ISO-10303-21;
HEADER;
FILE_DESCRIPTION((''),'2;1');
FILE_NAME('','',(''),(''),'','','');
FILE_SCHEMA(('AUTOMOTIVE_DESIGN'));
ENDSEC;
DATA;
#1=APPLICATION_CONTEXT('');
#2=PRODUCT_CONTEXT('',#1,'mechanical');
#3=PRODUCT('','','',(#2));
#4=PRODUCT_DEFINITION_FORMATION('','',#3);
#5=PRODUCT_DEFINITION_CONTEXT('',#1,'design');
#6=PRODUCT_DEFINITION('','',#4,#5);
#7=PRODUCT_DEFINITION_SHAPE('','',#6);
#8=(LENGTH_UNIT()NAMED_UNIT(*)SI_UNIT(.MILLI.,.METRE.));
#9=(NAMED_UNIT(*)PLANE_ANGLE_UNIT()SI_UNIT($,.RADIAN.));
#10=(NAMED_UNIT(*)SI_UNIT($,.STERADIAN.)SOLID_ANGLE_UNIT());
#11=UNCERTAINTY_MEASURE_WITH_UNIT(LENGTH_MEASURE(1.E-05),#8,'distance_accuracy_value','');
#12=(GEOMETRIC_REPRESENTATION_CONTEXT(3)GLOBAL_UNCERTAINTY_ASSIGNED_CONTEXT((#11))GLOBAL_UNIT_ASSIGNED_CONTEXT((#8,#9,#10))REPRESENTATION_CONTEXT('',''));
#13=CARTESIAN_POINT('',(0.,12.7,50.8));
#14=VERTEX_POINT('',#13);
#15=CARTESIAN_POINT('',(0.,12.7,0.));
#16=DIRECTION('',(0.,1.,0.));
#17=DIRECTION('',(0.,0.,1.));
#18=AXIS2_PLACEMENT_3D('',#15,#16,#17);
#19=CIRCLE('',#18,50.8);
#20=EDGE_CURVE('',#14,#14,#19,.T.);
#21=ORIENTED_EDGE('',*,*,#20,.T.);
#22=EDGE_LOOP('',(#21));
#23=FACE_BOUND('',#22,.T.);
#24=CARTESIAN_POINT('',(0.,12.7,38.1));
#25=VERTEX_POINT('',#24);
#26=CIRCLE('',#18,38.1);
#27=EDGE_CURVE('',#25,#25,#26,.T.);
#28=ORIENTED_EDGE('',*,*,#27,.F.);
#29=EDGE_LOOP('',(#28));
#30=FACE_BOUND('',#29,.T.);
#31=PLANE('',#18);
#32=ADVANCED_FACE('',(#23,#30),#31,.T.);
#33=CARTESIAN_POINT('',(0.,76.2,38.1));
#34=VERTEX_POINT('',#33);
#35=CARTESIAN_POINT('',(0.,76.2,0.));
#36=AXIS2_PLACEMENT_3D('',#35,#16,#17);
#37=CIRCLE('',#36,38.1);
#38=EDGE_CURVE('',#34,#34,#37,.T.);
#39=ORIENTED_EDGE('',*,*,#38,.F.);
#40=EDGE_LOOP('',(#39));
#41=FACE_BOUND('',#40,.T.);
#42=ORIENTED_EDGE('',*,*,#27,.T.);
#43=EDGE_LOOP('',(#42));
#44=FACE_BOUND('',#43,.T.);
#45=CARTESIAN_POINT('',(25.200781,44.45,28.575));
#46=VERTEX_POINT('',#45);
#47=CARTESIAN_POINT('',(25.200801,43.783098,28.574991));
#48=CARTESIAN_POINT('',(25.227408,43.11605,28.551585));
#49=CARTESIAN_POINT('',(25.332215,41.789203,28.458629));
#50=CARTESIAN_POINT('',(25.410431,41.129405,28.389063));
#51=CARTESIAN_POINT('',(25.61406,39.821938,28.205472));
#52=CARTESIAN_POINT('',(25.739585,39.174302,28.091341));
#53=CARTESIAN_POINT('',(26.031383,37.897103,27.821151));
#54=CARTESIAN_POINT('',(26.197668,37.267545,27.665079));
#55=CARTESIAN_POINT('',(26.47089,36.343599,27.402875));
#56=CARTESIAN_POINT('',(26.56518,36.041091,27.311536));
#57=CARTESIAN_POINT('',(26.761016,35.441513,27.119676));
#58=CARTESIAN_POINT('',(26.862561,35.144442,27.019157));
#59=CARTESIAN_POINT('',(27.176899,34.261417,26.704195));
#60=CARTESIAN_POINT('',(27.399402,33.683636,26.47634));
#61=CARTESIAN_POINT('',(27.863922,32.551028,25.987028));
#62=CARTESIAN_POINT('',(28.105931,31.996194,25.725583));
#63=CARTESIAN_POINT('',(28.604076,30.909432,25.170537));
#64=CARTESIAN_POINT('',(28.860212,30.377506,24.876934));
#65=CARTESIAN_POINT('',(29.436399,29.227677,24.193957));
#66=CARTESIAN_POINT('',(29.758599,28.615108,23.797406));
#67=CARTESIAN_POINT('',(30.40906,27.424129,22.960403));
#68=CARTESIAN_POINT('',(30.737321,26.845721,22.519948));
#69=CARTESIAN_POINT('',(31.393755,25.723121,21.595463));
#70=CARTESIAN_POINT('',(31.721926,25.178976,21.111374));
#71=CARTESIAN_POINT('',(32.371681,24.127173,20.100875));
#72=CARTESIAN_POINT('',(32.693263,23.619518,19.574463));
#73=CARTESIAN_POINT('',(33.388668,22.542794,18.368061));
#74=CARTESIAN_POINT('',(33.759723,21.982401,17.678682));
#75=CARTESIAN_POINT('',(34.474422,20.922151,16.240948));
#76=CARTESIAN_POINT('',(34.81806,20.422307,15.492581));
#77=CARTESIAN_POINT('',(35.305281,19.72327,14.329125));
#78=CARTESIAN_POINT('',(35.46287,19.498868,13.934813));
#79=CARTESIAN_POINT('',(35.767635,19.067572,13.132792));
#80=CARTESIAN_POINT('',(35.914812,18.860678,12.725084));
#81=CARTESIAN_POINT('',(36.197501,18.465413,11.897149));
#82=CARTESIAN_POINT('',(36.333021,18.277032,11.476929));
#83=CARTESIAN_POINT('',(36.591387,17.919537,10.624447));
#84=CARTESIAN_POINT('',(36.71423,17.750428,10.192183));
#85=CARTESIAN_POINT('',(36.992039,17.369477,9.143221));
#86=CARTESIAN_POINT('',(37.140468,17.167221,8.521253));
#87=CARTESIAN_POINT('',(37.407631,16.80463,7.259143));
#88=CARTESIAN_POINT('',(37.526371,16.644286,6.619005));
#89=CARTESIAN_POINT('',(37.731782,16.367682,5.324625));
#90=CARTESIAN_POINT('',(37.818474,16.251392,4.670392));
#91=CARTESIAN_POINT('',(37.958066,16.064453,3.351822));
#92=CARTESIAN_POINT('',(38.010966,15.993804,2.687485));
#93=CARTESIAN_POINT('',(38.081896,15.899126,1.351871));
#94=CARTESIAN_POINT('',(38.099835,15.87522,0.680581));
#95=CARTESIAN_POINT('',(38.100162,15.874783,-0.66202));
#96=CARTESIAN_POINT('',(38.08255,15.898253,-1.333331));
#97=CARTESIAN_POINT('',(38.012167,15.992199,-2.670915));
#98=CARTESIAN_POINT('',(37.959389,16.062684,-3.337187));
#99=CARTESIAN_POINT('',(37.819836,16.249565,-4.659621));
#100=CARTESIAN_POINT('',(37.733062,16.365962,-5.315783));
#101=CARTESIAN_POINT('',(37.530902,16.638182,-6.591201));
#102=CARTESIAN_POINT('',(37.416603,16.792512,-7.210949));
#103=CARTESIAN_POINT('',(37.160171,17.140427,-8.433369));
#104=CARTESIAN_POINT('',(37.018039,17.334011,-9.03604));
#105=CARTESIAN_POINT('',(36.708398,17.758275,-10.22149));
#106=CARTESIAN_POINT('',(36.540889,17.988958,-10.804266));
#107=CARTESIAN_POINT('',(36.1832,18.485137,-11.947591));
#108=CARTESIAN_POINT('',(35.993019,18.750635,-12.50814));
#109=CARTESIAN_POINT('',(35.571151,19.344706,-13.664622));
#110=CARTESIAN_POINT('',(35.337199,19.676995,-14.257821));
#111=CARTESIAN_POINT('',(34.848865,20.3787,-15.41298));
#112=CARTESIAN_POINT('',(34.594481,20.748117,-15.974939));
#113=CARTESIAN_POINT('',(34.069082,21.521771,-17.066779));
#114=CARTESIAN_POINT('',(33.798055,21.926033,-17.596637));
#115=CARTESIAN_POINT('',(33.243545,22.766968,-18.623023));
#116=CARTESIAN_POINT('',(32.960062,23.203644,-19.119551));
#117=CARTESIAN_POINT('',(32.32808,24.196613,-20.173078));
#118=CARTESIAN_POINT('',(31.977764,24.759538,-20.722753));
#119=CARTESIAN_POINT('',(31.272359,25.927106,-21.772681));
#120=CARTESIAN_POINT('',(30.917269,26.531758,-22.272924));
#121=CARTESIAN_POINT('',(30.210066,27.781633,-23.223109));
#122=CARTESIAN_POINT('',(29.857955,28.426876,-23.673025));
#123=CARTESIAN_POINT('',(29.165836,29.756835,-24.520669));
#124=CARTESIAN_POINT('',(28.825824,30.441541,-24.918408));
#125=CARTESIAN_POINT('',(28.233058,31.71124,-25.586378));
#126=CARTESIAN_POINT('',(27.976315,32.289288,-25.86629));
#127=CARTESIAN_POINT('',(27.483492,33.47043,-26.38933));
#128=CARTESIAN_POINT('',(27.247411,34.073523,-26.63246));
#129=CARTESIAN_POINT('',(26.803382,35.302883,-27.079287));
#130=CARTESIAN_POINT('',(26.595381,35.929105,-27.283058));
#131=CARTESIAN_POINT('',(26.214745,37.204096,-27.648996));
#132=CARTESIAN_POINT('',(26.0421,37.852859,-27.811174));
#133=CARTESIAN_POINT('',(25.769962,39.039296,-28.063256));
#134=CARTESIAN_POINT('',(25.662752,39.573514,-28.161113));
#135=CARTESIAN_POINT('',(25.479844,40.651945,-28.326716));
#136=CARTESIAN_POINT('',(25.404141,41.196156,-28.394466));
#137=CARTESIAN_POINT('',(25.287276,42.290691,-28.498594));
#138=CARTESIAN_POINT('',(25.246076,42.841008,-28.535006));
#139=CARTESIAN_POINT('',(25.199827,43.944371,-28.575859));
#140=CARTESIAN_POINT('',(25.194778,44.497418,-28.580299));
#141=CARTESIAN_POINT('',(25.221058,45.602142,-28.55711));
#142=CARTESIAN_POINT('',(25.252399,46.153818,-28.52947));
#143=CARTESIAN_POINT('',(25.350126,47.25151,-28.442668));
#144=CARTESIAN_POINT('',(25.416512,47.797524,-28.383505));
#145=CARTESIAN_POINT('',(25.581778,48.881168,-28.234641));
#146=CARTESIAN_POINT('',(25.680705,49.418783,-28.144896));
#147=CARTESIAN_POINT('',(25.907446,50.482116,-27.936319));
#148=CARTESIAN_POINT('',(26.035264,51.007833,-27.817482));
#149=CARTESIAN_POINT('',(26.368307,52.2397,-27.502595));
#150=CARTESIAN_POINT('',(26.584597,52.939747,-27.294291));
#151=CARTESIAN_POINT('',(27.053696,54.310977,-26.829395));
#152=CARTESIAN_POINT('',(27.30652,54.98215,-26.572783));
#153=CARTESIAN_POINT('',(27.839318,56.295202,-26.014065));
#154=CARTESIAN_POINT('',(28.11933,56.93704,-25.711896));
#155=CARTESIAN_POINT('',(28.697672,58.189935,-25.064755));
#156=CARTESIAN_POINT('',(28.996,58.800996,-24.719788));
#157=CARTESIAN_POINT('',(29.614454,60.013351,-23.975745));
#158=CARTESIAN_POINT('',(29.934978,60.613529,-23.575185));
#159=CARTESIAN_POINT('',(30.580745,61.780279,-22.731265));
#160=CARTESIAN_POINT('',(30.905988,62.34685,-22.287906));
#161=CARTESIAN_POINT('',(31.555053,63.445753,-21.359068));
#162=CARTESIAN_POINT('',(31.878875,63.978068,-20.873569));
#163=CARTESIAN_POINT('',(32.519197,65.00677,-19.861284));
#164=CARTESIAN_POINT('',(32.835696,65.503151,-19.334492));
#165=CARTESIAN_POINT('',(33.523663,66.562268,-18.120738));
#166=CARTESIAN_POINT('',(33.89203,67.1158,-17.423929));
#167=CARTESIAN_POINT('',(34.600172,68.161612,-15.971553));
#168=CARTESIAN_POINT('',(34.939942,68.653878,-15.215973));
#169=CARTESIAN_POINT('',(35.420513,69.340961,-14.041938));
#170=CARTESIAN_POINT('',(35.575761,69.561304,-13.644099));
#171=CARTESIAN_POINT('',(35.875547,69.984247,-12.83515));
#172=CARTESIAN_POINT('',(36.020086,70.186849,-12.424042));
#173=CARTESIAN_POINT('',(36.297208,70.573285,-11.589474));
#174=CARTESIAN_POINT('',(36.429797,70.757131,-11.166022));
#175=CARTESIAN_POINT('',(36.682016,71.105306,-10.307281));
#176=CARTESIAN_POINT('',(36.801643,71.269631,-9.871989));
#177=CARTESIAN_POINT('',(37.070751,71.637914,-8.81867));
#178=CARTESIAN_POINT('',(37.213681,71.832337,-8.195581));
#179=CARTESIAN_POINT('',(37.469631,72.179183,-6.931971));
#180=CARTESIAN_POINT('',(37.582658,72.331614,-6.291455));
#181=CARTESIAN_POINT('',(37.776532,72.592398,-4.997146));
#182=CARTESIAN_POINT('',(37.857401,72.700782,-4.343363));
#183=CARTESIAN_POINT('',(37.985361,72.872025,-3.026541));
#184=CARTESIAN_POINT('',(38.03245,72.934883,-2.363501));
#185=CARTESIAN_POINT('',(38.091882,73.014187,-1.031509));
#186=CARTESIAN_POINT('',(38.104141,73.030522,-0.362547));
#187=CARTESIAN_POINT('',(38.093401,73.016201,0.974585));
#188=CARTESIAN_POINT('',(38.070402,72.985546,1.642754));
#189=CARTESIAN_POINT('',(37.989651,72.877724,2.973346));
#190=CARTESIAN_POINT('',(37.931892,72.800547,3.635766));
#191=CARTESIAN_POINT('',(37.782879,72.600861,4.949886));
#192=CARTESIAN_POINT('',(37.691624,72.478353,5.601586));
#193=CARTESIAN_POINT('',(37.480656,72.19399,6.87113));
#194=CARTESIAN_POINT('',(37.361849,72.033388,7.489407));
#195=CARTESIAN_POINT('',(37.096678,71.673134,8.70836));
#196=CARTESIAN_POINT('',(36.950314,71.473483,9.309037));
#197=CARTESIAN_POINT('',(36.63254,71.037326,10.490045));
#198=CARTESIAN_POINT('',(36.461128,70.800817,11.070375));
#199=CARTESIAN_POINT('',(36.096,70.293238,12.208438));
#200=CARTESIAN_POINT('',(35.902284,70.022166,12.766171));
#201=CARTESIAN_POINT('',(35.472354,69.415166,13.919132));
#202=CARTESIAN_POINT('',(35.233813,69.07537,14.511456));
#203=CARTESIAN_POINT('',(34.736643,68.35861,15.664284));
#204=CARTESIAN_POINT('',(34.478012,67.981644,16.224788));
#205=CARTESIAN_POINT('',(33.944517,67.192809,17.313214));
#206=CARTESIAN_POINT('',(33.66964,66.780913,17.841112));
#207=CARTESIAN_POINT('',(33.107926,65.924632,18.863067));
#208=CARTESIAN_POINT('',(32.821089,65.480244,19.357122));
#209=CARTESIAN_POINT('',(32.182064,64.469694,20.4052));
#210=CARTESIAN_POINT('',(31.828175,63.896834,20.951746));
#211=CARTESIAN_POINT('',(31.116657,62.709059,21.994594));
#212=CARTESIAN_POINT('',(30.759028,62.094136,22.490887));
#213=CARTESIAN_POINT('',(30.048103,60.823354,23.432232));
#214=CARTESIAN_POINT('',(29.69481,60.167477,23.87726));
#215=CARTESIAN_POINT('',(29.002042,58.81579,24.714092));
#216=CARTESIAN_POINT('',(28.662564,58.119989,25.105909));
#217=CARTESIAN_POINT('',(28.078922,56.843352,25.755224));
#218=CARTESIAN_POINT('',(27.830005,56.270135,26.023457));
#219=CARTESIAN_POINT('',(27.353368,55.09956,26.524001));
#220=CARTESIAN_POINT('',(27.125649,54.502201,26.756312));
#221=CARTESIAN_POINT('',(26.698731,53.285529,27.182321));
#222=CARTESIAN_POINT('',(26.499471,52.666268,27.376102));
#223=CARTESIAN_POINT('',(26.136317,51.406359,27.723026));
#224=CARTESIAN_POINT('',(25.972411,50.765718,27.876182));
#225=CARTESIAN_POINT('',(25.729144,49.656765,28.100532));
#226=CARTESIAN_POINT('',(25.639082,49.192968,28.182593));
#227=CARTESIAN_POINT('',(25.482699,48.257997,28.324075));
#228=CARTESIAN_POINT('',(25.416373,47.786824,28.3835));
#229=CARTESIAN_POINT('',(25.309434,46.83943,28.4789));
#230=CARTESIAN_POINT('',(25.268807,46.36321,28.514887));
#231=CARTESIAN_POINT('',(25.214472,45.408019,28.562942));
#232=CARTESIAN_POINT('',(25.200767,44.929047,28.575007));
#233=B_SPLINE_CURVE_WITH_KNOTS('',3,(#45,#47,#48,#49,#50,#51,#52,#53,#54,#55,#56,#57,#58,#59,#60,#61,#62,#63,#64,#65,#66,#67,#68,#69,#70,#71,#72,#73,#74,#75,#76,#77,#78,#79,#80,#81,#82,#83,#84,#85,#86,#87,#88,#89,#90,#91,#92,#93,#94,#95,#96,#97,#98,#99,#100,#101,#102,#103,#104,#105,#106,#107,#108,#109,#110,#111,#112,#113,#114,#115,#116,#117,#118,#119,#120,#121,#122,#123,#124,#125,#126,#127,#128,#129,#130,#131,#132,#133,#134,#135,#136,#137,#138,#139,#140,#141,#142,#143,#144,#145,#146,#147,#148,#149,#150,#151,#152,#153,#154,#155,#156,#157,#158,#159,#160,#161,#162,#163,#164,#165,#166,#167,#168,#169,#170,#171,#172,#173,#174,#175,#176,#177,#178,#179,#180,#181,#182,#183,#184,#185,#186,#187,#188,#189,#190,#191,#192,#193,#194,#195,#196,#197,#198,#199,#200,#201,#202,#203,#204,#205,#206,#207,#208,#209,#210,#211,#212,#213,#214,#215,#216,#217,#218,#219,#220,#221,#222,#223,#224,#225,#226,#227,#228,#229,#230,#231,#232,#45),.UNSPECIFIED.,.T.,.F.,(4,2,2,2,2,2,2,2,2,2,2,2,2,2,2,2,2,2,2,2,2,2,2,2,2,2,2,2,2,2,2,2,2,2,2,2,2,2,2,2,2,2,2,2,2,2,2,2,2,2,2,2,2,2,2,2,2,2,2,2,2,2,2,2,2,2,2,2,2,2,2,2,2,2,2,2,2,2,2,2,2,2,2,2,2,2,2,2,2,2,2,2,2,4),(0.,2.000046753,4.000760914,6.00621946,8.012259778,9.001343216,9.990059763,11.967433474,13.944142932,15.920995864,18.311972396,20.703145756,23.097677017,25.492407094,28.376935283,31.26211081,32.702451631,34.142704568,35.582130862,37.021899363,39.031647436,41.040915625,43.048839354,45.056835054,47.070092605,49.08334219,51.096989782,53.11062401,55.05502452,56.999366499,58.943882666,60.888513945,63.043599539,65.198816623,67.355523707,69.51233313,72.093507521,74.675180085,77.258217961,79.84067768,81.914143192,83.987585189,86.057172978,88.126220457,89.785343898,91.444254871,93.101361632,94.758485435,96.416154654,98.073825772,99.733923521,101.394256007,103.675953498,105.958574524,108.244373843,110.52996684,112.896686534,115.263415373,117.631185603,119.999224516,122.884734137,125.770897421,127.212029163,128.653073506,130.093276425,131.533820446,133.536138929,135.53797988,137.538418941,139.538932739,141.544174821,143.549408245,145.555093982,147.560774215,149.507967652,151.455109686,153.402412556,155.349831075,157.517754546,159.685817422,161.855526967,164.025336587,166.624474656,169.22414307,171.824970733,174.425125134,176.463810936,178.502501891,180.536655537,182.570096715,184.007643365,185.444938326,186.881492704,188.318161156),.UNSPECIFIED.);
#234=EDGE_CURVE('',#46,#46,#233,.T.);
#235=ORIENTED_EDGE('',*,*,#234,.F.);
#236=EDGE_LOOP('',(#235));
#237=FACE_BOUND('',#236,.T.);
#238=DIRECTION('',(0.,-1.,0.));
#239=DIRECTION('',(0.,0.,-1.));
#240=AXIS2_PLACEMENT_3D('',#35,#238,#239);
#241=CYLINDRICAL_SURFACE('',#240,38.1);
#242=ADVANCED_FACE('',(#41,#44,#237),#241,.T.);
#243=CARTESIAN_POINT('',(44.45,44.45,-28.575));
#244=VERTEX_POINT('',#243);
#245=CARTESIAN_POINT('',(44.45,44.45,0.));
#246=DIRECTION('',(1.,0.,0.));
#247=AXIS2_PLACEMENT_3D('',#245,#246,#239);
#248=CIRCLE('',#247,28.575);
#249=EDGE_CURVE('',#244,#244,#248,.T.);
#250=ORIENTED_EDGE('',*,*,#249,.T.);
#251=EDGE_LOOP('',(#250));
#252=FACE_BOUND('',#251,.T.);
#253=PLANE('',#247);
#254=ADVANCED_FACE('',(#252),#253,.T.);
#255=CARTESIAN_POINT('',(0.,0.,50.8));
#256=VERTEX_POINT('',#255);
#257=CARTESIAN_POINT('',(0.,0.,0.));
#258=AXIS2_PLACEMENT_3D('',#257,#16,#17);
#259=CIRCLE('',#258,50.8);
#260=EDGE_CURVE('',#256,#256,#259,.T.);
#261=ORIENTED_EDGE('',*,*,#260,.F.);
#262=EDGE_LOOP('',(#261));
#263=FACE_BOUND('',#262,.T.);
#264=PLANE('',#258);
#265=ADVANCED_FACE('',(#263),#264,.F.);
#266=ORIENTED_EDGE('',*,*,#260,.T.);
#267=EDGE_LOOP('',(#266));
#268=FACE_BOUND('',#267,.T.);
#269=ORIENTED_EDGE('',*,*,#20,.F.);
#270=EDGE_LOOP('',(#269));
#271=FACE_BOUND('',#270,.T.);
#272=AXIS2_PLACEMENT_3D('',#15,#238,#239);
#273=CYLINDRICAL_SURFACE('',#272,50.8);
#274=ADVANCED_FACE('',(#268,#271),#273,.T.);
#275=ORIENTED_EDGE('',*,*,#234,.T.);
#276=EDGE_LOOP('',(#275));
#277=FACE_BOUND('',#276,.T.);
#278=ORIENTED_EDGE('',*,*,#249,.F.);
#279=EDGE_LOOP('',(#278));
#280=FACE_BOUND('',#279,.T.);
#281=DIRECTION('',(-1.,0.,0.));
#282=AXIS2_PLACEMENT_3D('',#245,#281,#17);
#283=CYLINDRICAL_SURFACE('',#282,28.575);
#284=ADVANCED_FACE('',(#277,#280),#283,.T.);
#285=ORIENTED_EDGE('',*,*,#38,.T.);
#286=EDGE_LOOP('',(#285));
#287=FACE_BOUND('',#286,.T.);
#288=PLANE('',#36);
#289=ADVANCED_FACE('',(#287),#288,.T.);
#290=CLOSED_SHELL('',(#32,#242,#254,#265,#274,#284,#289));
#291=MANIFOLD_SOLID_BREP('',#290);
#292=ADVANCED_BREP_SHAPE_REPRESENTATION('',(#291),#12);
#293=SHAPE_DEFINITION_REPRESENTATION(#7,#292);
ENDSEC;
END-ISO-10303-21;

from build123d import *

# Parameters (mm, degrees)
SKETCH1_R           = 50.8
SKETCH1_R_2         = 38.1
BOSS_EXTRUDE1_DEPTH = 12.7
BOSS_EXTRUDE2_START = 12.7
SKETCH1_3_R         = 38.1
BOSS_EXTRUDE2_DEPTH = 63.5
SKETCH2_R           = 28.575
BOSS_EXTRUDE3_DEPTH = 44.45


with BuildPart() as part:
    # Sketch1 → Boss-Extrude1 (new body)
    with BuildSketch(Plane(origin=(0, 0, 0), x_dir=(1, 0, 0), z_dir=(0, 1, 0))):
        with Locations(Location((0, 0, 0), (0, 0, 270))):
            Circle(SKETCH1_R)
        Circle(SKETCH1_R_2, mode=Mode.SUBTRACT)
        Circle(SKETCH1_R_2)
    extrude(amount=BOSS_EXTRUDE1_DEPTH)

    # Sketch1<3> → Boss-Extrude2 (add)
    with BuildSketch(Plane(origin=(0, 0, 0), x_dir=(1, 0, 0), z_dir=(0, 1, 0)).offset(BOSS_EXTRUDE2_START)):
        with Locations(Location((0, 0, 0), (0, 0, 270))):
            Circle(SKETCH1_3_R)
    extrude(amount=BOSS_EXTRUDE2_DEPTH)

    # Sketch2 → Boss-Extrude3 (add)
    with BuildSketch(Plane(origin=(0, 0, 0), x_dir=(0, 0, -1), z_dir=(1, 0, 0))):
        with Locations(Location((0, 44.45, 0), (0, 0, 180))):
            Circle(SKETCH2_R)
    extrude(amount=BOSS_EXTRUDE3_DEPTH)


solid = part.part
